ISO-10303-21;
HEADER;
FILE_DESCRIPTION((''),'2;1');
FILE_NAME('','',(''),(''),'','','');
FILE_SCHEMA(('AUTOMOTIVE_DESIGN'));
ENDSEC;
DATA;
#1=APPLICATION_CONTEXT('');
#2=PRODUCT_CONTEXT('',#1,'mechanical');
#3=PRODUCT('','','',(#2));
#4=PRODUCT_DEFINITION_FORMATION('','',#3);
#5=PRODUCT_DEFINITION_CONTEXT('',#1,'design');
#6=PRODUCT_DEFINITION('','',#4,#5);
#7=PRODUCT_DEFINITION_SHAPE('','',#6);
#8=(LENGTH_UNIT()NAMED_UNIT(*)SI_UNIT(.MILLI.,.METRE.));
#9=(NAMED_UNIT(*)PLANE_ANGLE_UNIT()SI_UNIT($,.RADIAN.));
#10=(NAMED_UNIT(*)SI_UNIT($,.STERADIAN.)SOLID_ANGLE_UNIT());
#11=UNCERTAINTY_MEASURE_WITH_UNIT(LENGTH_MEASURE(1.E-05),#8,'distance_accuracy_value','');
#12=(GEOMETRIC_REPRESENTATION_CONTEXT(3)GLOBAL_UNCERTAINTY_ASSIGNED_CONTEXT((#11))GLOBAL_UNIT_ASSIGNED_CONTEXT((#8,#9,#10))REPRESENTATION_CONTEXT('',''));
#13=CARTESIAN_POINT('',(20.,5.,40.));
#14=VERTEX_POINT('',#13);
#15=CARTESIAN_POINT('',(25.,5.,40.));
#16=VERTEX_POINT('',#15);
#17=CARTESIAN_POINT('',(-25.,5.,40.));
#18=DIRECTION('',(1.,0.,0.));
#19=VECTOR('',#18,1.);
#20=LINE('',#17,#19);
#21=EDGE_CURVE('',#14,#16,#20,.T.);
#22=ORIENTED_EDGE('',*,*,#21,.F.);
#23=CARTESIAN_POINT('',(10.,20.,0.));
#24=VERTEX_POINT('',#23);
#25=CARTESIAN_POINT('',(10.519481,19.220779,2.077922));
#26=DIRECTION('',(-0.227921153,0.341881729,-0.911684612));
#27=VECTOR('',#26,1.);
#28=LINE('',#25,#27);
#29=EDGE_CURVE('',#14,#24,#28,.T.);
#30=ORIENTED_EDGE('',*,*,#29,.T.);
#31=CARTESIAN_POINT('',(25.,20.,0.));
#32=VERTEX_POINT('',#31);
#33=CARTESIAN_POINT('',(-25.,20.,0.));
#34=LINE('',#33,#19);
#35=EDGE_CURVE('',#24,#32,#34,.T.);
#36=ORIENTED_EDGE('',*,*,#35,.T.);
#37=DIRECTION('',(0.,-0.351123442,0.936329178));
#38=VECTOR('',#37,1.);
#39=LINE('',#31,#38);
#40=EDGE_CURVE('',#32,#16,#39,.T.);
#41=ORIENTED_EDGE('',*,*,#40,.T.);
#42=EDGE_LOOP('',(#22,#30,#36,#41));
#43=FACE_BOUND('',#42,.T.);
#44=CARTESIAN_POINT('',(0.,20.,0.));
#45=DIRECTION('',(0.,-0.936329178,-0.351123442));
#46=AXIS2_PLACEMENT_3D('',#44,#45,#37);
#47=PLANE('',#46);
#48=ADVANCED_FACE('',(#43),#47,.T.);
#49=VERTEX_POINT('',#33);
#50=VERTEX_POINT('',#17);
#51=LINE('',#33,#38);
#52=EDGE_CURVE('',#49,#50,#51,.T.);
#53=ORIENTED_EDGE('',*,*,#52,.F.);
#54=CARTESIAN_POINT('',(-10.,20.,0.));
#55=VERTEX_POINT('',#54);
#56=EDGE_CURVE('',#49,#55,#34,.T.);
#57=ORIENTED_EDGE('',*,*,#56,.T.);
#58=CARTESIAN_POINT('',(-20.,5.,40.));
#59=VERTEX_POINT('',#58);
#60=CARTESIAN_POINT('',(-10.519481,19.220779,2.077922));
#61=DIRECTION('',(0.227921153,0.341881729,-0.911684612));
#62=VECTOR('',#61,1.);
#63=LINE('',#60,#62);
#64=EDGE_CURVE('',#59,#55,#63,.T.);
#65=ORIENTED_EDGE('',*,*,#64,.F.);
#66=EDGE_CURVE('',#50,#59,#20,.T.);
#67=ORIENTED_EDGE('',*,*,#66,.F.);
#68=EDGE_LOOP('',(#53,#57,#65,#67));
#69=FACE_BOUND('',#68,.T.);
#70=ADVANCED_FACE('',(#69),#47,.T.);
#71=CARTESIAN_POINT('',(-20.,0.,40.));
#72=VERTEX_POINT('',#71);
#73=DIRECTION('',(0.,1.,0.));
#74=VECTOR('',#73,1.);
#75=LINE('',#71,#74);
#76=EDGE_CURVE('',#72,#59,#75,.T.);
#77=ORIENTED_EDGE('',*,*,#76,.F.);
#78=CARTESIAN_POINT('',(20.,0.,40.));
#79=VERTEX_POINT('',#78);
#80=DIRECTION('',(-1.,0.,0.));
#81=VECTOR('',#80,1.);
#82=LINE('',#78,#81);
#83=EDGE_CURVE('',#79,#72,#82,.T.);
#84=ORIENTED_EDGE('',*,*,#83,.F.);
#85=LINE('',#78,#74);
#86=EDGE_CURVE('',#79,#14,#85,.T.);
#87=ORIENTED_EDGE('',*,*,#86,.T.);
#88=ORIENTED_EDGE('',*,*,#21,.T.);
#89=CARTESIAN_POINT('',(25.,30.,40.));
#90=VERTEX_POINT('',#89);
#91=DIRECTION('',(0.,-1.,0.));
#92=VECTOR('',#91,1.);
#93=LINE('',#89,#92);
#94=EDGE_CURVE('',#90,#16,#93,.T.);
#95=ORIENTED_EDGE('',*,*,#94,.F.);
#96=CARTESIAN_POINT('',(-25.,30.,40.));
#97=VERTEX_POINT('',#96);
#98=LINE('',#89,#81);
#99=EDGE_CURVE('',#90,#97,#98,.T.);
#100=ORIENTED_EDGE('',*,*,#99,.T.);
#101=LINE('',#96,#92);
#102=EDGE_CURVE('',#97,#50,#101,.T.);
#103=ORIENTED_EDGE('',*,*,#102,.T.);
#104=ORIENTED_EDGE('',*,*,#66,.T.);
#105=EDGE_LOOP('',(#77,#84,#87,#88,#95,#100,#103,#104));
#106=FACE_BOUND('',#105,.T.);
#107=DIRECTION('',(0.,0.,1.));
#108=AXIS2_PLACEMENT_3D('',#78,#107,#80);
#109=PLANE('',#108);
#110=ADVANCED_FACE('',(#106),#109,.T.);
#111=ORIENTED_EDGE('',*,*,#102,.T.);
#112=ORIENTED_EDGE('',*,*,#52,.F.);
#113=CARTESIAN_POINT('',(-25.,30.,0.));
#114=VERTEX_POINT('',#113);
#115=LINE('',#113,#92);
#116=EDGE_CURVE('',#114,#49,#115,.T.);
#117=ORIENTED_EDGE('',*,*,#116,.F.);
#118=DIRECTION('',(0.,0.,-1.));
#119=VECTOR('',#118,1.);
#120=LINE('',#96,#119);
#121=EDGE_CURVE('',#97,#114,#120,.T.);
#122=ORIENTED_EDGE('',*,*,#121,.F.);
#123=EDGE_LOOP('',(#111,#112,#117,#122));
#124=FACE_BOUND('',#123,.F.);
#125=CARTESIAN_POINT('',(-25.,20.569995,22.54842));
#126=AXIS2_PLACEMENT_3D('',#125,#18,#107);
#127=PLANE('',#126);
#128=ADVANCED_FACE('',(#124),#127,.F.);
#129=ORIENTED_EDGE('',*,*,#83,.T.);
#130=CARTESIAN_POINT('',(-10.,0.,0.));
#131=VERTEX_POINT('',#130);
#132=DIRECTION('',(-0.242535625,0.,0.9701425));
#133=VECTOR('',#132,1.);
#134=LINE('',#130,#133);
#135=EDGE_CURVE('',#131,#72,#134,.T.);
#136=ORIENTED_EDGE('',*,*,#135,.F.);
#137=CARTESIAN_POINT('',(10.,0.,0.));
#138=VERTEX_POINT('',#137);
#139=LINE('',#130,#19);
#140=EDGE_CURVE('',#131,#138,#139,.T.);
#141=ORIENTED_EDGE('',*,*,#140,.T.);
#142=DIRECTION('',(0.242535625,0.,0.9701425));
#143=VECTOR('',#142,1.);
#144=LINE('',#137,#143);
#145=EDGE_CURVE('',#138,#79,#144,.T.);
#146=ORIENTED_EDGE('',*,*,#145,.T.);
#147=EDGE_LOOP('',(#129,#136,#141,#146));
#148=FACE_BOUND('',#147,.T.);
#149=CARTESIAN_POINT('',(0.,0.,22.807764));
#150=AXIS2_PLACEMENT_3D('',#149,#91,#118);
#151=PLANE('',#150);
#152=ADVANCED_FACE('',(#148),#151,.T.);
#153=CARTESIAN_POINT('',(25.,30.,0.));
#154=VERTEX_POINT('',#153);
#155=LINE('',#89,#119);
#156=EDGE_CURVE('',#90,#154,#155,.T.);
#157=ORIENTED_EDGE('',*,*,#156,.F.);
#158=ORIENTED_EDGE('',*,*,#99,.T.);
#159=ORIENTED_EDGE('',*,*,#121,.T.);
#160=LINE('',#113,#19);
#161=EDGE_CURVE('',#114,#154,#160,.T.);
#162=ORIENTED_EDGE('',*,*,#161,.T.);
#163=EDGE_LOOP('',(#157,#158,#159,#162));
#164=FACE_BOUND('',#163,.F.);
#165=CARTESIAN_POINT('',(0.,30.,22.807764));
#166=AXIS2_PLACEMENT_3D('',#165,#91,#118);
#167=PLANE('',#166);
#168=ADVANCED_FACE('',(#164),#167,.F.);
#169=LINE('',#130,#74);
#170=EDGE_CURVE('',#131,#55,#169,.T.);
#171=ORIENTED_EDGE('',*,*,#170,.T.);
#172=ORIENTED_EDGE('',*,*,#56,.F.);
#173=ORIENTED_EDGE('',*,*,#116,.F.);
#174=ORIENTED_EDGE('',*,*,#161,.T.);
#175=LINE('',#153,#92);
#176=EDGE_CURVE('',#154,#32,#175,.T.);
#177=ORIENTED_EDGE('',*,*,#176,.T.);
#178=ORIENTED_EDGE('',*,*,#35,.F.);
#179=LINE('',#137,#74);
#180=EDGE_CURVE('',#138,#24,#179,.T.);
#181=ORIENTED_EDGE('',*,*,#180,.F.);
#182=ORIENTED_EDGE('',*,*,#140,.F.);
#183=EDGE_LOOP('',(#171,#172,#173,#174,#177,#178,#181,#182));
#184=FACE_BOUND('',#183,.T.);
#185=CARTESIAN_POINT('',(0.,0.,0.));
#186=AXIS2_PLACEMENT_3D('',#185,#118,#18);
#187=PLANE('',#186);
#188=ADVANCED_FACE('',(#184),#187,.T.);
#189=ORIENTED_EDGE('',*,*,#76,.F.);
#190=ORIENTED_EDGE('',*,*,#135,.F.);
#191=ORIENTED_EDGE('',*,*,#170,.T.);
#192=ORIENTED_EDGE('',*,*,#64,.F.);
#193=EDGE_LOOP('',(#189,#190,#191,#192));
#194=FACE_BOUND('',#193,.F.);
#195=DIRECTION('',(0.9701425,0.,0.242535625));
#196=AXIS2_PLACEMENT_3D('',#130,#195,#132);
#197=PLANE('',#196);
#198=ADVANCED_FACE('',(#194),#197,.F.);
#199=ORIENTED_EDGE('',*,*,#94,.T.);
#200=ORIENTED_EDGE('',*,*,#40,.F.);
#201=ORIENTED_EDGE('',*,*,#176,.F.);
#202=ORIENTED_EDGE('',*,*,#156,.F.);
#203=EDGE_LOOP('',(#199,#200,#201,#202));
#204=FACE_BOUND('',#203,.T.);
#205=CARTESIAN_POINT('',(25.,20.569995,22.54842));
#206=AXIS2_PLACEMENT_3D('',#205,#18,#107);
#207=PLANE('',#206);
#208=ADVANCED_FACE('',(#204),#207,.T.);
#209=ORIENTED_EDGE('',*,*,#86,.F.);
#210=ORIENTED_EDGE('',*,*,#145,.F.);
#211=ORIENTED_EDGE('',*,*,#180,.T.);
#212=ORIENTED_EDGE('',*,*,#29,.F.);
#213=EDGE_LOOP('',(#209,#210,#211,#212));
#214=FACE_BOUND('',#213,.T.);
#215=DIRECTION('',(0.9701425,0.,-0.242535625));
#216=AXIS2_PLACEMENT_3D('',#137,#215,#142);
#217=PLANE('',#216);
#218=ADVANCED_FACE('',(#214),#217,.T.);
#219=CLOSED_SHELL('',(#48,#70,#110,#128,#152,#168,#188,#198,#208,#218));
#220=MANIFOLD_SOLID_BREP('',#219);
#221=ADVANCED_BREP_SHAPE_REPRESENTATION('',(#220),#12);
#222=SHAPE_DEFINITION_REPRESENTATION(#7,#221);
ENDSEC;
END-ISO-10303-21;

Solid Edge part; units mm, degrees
sketch "Sketch1" plane through (0, 0, 0) normal (0, -1, 0) x (1, 0, 0)
  line L0 (10, 0) -> (20, 40)
  line L1 (20, 40) -> (-20, 40)
  line L2 (-10, 0) -> (-20, 40)
  line L3 (-10, 0) -> (0, 0)
  line L4 (0, 0) -> (10, 0)
extrude "Protrusion1" add sketch "Sketch1" against normal blind 30
sketch "Sketch2" plane through (0, 0, 0) normal (1, 0, 0) x (0, 1, 0)
  line L0 (30, 40) -> (5, 40)
  line L1 (20, 0) -> (5, 40)
  line L2 (30, 0) -> (20, 0)
  line L3 (30, 40) -> (30, 0)
extrude "ExtrudedProtrusion_3" add sketch "Sketch2" along normal mid plane 50
